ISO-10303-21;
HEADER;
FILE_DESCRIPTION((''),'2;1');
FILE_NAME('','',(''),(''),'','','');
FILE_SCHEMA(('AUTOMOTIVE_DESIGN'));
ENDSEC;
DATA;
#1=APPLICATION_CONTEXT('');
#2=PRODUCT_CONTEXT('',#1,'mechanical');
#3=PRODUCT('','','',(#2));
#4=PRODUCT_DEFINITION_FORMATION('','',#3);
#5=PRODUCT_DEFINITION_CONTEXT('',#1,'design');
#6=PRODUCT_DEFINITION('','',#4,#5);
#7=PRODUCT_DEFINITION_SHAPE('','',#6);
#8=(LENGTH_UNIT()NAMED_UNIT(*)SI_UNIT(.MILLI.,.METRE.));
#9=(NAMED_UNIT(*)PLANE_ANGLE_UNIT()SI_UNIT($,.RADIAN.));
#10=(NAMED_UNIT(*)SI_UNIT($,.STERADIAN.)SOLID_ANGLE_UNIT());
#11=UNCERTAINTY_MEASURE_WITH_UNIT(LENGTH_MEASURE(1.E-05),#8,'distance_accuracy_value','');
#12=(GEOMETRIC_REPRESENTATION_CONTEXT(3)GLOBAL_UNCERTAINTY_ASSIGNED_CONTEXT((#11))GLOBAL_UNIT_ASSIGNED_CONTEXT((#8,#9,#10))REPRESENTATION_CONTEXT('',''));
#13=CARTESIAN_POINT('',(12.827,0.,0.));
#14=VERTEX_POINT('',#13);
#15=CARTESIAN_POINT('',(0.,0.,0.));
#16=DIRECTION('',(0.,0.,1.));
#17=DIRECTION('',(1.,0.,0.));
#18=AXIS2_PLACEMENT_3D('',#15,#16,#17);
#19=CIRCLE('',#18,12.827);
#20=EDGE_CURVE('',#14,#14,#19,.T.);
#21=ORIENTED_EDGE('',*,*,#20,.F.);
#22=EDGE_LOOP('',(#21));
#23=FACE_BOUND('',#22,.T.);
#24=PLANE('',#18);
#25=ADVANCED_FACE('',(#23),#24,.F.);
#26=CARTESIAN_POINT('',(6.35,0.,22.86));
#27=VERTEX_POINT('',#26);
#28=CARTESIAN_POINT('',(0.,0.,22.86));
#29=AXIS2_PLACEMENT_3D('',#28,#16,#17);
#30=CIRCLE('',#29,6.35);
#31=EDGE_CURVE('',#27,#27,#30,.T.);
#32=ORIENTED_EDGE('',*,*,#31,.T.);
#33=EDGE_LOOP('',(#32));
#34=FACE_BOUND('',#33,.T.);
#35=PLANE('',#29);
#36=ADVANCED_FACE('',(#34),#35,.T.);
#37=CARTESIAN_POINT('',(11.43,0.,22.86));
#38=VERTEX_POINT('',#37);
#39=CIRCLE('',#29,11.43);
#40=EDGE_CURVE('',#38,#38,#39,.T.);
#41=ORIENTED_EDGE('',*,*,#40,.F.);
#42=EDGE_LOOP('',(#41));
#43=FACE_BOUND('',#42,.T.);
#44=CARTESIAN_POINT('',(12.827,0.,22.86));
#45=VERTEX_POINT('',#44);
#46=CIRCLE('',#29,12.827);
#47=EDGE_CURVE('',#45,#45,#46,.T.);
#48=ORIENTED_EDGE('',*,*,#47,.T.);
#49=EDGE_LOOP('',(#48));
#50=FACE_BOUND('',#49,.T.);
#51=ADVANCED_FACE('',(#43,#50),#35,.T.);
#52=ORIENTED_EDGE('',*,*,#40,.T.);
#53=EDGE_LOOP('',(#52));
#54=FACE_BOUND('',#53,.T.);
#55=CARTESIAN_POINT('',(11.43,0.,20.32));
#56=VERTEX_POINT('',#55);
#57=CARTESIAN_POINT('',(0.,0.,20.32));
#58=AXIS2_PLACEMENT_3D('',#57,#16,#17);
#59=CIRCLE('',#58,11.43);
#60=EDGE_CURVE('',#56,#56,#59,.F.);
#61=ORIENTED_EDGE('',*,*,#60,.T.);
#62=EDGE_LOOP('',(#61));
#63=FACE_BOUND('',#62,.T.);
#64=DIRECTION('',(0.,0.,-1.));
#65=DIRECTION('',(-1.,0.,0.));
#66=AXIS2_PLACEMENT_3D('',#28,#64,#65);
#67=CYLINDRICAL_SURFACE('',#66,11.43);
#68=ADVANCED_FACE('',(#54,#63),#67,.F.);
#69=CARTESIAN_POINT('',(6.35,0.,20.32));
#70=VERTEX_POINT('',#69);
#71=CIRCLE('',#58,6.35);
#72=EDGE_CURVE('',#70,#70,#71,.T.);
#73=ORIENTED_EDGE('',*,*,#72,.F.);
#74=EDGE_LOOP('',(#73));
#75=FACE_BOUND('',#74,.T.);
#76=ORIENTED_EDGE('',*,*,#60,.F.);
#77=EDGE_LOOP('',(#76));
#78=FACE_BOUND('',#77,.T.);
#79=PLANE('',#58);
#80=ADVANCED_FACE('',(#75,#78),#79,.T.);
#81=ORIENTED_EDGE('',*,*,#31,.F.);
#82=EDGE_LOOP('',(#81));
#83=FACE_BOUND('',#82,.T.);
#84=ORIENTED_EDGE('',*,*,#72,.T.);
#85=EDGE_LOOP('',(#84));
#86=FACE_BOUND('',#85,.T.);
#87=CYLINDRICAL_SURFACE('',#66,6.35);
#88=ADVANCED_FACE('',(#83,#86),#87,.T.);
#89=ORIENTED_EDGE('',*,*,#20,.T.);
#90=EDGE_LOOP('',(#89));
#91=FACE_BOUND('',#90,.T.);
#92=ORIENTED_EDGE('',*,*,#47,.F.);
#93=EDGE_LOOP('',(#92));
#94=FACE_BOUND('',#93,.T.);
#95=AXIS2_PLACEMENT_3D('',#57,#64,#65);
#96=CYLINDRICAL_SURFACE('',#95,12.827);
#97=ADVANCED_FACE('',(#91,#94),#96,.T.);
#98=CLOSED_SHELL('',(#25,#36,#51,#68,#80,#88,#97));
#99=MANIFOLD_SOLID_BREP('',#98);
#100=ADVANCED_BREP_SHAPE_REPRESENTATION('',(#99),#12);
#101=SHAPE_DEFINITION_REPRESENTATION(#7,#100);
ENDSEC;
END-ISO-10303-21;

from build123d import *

# Parameters (mm, degrees)
SKETCH1_R           = 12.827
BOSS_EXTRUDE1_DEPTH = 20.32
SKETCH2_R           = 12.827
SKETCH2_R_2         = 11.43
SKETCH2_R_3         = 6.35
BOSS_EXTRUDE2_DEPTH = 2.54


with BuildPart() as part:
    # Sketch1 → Boss-Extrude1 (new body)
    with BuildSketch(Plane.XY):
        Circle(SKETCH1_R)
    extrude(amount=BOSS_EXTRUDE1_DEPTH)

    # Sketch2 → Boss-Extrude2 (add)
    # profile 1 of 2: a face of its own
    with BuildSketch(Plane.XY.offset(20.32)):
        Circle(SKETCH2_R)
        Circle(SKETCH2_R_2, mode=Mode.SUBTRACT)
    # profile 2 of 2: a face of its own
    with BuildSketch(Plane.XY.offset(20.32)):
        Circle(SKETCH2_R_3)
    extrude(amount=BOSS_EXTRUDE2_DEPTH)


solid = part.part
